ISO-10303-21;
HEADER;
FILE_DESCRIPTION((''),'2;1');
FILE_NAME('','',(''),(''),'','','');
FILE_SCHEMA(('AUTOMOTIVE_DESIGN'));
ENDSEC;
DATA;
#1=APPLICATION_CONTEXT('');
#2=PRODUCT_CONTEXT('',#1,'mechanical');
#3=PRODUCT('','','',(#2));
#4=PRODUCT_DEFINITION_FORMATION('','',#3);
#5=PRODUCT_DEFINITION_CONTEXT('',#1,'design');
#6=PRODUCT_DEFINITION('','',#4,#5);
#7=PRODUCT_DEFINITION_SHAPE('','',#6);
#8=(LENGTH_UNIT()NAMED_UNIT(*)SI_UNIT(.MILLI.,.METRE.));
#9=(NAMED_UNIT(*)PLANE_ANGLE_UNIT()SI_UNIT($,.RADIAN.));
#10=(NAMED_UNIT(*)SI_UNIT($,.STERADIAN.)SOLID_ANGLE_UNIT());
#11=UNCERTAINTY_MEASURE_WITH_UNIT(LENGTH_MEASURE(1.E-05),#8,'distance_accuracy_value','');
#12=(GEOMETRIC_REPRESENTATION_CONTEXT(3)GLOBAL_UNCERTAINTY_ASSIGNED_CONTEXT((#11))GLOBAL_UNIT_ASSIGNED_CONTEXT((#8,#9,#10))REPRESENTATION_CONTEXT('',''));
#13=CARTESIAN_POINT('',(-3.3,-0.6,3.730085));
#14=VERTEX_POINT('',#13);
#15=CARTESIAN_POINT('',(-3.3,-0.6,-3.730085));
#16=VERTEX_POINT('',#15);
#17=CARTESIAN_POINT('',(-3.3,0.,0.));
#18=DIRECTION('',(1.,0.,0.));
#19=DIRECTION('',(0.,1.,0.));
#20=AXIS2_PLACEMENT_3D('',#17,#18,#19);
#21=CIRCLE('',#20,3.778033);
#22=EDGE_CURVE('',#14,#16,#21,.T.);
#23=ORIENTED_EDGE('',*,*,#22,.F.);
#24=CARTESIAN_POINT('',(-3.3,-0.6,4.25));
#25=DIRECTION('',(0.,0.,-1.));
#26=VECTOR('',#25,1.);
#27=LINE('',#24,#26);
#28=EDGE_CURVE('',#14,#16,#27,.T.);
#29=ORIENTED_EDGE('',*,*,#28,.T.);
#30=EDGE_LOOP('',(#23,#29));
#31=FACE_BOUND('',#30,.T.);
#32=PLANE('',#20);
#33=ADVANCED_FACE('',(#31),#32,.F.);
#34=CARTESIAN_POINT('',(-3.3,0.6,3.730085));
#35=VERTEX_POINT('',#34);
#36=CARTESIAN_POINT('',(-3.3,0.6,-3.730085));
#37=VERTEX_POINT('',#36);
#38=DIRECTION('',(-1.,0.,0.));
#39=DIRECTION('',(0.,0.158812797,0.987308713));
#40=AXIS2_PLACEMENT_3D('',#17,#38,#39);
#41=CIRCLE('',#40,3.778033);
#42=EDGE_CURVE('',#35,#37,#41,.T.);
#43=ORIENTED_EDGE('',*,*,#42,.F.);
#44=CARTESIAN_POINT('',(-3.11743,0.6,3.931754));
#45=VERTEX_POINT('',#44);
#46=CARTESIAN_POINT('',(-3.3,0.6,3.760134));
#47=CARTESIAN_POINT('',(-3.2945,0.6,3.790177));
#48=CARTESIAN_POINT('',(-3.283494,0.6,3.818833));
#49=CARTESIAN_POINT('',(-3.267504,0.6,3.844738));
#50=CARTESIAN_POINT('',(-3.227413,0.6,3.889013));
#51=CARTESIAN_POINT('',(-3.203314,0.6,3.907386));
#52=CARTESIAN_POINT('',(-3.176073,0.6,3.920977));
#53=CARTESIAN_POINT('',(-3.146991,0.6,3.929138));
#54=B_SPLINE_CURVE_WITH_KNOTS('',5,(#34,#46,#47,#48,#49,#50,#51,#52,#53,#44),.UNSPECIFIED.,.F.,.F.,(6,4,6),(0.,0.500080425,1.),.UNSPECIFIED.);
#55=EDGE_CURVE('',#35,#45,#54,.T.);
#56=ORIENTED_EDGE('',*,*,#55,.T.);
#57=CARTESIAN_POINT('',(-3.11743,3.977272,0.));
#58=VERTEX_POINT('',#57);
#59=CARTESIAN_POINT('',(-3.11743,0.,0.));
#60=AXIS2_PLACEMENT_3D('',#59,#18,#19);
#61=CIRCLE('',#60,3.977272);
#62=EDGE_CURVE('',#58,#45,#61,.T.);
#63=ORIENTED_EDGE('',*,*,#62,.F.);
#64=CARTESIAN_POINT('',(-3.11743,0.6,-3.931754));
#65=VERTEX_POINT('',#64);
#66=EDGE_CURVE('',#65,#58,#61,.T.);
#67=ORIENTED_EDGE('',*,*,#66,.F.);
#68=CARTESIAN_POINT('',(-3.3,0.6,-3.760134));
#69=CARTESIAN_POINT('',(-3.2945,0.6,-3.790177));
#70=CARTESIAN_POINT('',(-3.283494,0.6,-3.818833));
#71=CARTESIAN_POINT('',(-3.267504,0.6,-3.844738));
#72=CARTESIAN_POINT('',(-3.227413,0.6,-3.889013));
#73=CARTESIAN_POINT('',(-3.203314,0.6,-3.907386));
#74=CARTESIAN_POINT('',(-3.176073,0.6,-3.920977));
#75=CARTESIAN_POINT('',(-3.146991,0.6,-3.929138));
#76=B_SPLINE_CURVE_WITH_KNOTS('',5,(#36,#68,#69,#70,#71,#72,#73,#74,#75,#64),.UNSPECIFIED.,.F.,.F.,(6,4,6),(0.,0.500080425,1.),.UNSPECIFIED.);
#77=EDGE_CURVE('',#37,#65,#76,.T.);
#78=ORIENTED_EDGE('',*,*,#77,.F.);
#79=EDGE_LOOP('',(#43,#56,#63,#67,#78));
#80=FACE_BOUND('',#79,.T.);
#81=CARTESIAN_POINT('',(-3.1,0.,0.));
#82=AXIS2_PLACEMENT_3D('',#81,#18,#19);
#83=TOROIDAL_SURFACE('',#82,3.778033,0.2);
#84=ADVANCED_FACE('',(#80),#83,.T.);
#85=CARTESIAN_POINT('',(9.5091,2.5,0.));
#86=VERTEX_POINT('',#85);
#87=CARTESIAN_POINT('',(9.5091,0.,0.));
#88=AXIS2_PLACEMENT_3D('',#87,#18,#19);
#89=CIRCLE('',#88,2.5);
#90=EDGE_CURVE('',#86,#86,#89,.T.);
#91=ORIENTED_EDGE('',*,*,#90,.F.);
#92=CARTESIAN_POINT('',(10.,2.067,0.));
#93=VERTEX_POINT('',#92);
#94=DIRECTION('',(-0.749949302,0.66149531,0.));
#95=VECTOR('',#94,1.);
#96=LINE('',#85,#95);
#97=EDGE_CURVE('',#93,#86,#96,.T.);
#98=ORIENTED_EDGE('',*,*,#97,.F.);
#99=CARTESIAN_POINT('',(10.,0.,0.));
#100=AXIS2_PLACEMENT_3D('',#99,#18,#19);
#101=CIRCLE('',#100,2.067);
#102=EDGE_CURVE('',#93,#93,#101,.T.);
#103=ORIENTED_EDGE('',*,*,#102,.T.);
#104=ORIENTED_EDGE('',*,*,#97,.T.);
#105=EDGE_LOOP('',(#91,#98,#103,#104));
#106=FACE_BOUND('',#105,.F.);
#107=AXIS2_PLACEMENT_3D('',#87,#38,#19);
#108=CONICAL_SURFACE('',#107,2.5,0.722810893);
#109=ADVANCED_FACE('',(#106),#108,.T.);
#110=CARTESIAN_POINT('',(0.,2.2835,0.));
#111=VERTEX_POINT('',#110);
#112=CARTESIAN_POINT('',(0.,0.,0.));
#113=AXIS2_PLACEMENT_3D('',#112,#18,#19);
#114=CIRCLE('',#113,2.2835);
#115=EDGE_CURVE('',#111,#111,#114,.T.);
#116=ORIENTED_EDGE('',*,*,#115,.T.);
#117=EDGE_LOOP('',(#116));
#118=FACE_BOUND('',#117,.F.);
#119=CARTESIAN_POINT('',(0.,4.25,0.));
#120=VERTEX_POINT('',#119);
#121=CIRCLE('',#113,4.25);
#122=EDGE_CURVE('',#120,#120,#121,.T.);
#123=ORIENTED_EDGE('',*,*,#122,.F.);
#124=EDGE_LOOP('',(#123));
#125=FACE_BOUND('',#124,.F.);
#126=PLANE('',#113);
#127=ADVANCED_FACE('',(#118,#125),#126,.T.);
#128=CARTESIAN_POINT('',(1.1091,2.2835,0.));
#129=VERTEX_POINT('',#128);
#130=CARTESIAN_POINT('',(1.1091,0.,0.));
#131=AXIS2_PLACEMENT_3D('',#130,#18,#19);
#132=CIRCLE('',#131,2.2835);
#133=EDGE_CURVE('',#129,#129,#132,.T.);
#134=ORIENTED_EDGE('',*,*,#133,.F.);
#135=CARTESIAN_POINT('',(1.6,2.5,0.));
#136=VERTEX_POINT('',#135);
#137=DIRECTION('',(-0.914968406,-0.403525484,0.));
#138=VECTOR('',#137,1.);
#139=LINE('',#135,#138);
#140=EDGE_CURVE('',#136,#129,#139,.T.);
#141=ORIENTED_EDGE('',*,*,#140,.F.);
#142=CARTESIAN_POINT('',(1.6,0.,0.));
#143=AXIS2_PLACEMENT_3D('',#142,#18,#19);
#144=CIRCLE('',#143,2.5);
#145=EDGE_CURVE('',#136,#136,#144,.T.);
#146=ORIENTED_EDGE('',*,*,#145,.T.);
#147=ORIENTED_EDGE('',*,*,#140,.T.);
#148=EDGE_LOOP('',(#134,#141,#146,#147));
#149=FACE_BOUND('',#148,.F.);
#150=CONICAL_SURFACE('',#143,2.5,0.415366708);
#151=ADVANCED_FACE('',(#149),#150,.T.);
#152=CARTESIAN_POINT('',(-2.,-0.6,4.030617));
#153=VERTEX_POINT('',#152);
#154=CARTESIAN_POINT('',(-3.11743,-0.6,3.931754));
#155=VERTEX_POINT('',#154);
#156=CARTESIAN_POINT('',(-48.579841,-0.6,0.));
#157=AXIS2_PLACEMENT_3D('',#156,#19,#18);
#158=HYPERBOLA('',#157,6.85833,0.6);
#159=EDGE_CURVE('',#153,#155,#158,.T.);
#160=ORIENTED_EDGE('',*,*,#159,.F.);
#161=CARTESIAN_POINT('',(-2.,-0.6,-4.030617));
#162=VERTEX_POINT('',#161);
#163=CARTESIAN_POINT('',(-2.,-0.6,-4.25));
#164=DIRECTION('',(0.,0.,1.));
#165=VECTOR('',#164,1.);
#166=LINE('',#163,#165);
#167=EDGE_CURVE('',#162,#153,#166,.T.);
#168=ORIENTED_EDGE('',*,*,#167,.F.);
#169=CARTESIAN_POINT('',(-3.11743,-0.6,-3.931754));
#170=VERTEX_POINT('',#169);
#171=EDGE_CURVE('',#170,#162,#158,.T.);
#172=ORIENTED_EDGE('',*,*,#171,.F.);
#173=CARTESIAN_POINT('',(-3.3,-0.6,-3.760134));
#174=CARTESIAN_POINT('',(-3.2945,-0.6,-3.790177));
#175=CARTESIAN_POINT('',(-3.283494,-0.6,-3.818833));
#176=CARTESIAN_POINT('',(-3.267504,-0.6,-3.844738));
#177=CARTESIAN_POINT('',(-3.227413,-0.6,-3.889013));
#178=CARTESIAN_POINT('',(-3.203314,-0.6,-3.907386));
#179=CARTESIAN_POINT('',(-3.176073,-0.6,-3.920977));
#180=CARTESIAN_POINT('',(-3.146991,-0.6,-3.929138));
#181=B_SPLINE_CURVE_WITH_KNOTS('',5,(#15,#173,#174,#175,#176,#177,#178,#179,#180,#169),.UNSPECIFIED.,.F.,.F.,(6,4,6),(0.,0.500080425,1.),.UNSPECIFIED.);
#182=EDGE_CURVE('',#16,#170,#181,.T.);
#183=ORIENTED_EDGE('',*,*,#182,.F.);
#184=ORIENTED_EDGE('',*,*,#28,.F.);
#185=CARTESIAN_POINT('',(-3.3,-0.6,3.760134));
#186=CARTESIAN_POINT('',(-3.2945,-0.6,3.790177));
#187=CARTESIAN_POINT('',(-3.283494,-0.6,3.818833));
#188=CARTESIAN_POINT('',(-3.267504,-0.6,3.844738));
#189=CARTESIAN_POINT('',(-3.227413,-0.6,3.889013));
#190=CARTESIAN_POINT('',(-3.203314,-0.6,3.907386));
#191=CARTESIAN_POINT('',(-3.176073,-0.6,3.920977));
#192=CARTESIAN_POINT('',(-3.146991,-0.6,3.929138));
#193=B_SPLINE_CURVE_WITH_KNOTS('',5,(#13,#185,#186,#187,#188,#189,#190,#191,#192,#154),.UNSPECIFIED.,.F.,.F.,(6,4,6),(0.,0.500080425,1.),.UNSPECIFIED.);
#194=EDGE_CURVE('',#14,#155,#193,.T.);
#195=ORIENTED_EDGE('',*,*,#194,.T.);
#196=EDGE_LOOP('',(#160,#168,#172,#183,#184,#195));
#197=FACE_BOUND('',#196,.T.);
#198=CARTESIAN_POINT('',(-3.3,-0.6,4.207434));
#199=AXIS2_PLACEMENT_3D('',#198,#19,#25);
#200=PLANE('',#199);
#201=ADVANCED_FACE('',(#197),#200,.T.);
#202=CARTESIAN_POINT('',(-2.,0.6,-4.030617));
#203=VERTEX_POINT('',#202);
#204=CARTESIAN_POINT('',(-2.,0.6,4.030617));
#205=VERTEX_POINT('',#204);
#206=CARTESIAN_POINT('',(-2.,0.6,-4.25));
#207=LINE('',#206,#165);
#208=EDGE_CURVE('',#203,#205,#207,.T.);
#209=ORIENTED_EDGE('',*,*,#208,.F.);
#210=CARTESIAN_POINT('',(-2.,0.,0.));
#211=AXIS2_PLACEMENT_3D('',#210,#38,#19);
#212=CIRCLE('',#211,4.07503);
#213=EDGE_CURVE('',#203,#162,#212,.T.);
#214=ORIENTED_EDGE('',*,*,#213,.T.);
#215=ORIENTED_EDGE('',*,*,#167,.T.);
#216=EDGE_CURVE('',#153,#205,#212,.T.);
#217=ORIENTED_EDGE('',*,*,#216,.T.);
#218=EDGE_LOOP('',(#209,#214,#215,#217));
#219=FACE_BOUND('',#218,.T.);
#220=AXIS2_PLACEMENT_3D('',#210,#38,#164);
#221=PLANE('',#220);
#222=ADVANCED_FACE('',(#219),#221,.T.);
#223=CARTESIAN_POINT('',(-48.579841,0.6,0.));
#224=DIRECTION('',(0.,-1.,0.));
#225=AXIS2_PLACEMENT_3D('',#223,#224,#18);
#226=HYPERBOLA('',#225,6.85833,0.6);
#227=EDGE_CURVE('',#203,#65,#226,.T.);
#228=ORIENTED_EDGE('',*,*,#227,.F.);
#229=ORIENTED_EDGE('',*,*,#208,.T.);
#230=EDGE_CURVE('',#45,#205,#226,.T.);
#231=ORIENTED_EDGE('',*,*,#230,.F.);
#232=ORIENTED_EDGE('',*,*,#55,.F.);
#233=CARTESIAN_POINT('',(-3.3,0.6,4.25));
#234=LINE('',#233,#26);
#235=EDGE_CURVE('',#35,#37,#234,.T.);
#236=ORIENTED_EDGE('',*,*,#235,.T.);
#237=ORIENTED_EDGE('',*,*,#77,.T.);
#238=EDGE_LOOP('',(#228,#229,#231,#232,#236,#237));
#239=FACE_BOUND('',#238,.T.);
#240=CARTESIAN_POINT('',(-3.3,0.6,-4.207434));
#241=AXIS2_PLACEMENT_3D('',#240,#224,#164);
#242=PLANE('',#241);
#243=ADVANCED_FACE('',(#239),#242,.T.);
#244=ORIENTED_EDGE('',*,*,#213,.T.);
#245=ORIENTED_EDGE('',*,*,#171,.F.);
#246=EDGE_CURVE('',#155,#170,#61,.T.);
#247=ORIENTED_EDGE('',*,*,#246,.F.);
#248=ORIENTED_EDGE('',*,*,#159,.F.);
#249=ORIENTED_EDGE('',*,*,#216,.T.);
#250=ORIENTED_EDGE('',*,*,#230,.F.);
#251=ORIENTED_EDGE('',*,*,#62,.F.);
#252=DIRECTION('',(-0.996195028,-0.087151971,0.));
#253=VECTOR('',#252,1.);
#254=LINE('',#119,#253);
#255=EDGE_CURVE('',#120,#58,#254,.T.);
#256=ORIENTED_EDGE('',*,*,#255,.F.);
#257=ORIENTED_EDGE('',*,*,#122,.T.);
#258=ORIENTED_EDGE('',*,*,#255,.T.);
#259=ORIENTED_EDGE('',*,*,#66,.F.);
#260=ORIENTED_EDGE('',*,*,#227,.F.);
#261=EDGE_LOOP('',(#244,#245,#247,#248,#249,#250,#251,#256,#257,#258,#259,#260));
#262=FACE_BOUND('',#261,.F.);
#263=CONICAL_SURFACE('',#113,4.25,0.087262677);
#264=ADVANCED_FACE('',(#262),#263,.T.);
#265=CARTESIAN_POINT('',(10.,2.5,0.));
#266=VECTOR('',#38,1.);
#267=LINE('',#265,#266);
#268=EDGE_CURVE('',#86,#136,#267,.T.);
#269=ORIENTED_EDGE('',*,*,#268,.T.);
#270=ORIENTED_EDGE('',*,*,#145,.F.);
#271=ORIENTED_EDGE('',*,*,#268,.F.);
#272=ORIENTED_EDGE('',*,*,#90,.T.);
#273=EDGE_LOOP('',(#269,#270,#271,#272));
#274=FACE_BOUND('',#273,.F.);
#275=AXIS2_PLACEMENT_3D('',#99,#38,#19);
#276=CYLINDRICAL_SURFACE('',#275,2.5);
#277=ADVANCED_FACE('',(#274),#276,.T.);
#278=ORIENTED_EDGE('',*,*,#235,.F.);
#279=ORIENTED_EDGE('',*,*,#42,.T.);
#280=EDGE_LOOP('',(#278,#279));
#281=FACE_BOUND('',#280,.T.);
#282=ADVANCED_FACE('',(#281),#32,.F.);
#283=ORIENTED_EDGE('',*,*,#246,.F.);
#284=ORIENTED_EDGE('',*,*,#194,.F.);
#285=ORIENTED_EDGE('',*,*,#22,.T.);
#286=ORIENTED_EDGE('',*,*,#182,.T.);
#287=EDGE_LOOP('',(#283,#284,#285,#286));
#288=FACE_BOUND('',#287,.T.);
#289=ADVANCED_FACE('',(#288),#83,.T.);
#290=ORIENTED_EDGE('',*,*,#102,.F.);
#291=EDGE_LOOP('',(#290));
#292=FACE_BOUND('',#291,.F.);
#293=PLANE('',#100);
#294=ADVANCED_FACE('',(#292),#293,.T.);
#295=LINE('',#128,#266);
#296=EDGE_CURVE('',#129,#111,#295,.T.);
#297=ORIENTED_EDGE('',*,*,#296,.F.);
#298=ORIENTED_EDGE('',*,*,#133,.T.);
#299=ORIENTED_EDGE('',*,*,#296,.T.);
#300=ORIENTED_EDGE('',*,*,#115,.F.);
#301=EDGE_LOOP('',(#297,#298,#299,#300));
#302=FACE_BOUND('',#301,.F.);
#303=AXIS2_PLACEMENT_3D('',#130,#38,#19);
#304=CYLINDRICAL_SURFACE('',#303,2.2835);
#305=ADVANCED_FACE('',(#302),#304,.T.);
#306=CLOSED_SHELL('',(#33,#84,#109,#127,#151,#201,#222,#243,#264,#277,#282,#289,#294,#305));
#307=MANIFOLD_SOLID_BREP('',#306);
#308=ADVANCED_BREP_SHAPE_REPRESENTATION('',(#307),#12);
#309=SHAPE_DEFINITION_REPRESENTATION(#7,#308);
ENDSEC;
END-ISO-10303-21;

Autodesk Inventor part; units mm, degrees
ref_plane "YZ Plane" through (0, 0, 0) normal (1, 0, 0) x (0, 1, 0)
ref_plane "XZ Plane" through (0, 0, 0) normal (0, 1, 0) x (-1, 0, 0)
sketch "Sketch1" plane through (0, 0, 0) normal (0, 0, 1) x (1, 0, 0)
  line L0 (-3.3, 0) -> (10, 0)
  line L1 (10, 0) -> (10, 2.5)
  line L2 (10, 2.5) -> (1.6, 2.5)
  line L3 (1.6, 2.5) -> (1.1091, 2.2835)
  line L4 (1.1091, 2.2835) -> (0, 2.2835)
  line L5 (0, 2.2835) -> (0, 4.25)
  line L6 (-5.96, 0) -> (12.66, 0) projected
  line L7 (0, -0.85) -> (0, 5.1) projected
  line L8 (-3.3, 0) -> (-3.3, 3.9613)
  line L9 (0, 4.25) -> (-3.3, 3.9613)
  line L10 (1.6, 2.5) -> (0, 2.5) construction
  dimension "d0" = 10
  dimension "d1" = 8.4
  dimension "d2" = 0.4909
  dimension "d3" = 3.3
  dimension "d4" = 5
  dimension "d5" = 4.567
  dimension "d9" = 8.5
  dimension "d10" = 5
revolve "Body" add sketch "Sketch1" angle 360 about axis through (-3.3, 0, 0) along (1, 0, 0)
sketch "Sketch2" plane through (-3.3, 0, 0) normal (-1, 0, 0) x (0, 0, 1)
  circle A0 centre (0, 0) radius 4.25 projected
  line L0 (0, 0) -> (0, 3.9613) projected
  line L1 (-4.25, 0.6) -> (4.25, 0.6)
  line L2 (4.25, 0.6) -> (4.25, -0.6)
  line L3 (4.25, -0.6) -> (-4.25, -0.6)
  line L4 (-4.25, -0.6) -> (-4.25, 0.6)
  line L5 (-4.25, 0) -> (4.25, 0) construction
  line L6 (0, 0.6) -> (0, -0.6) construction
  point P0 (0, 0)
  dimension "d11" = 1.2
  dimension "d12" = 8.5
fillet "Fillet1" radius 0.2 1 edges at (-3.3, -3.9613, 0)
extrude "Slot" cut sketch "Sketch2" against normal blind 1.3 contours A0 L3 L1 | L2 L3 A0 | A0 L1 L2 | A0 L4 L1 | L3 L4 A0
thread "Thread" size "M5x0.8" class "6g" standard "ISO Metric profile" length 8.4
chamfer "Chamfer1" distance 0.433 distance2 0.4909 1 edges at (10, -2.5, 0) measured on face at (10, 0.6684, -0.7339)
ref_plane "Work Plane1" through (30.1625, 0, 0) normal (0, 0, -1) x (1, 0, 0)
equation "\"d11\" = SBR"
equation "\"d12\" = KOD"
equation "\"d14\" = RR"
equation "\"d19\" = STI"
equation "\"d15\" = GEL"
equation "\"d17\" = -0.5 * SPD + 0.5 * GD"
equation "\"d0\" = NLG"
equation "\"d1\" = GEL"
equation "\"d3\" = KOH"
equation "\"d4\" = GD"
equation "\"d5\" = BDM"
equation "\"d9\" = KOD"
equation "\"d10\" = KEWI"
equation "\"GD\" = 5"
equation "\"NLG\" = 10"
equation "\"GEL\" = 8.4"
equation "\"KOD\" = 8.5"
equation "\"KOH\" = 3.3"
equation "\"GAL\" = 0.61345 * PTC"
equation "\"SPD\" = 4.13397"
equation "\"BDM\" = 4.56699"
equation "\"GUL\" = 0.61345 * PTC"
equation "\"RR\" = 0.2"
equation "\"SBR\" = 1.2"
equation "\"STI\" = 1.3"
equation "\"KEWI\" = 5deg"
equation "\"PTC\" = 0.8"
equation "\"THREADDIA\" = 5"
equation "\"TOA\" = 30deg"
equation "\"NND\" = 5"
equation "\"GD1\" = THREADDIA - 1.2269 * PTC"
properties part number "DIN 84 - M5 x 10" material "Steel, Mild"
